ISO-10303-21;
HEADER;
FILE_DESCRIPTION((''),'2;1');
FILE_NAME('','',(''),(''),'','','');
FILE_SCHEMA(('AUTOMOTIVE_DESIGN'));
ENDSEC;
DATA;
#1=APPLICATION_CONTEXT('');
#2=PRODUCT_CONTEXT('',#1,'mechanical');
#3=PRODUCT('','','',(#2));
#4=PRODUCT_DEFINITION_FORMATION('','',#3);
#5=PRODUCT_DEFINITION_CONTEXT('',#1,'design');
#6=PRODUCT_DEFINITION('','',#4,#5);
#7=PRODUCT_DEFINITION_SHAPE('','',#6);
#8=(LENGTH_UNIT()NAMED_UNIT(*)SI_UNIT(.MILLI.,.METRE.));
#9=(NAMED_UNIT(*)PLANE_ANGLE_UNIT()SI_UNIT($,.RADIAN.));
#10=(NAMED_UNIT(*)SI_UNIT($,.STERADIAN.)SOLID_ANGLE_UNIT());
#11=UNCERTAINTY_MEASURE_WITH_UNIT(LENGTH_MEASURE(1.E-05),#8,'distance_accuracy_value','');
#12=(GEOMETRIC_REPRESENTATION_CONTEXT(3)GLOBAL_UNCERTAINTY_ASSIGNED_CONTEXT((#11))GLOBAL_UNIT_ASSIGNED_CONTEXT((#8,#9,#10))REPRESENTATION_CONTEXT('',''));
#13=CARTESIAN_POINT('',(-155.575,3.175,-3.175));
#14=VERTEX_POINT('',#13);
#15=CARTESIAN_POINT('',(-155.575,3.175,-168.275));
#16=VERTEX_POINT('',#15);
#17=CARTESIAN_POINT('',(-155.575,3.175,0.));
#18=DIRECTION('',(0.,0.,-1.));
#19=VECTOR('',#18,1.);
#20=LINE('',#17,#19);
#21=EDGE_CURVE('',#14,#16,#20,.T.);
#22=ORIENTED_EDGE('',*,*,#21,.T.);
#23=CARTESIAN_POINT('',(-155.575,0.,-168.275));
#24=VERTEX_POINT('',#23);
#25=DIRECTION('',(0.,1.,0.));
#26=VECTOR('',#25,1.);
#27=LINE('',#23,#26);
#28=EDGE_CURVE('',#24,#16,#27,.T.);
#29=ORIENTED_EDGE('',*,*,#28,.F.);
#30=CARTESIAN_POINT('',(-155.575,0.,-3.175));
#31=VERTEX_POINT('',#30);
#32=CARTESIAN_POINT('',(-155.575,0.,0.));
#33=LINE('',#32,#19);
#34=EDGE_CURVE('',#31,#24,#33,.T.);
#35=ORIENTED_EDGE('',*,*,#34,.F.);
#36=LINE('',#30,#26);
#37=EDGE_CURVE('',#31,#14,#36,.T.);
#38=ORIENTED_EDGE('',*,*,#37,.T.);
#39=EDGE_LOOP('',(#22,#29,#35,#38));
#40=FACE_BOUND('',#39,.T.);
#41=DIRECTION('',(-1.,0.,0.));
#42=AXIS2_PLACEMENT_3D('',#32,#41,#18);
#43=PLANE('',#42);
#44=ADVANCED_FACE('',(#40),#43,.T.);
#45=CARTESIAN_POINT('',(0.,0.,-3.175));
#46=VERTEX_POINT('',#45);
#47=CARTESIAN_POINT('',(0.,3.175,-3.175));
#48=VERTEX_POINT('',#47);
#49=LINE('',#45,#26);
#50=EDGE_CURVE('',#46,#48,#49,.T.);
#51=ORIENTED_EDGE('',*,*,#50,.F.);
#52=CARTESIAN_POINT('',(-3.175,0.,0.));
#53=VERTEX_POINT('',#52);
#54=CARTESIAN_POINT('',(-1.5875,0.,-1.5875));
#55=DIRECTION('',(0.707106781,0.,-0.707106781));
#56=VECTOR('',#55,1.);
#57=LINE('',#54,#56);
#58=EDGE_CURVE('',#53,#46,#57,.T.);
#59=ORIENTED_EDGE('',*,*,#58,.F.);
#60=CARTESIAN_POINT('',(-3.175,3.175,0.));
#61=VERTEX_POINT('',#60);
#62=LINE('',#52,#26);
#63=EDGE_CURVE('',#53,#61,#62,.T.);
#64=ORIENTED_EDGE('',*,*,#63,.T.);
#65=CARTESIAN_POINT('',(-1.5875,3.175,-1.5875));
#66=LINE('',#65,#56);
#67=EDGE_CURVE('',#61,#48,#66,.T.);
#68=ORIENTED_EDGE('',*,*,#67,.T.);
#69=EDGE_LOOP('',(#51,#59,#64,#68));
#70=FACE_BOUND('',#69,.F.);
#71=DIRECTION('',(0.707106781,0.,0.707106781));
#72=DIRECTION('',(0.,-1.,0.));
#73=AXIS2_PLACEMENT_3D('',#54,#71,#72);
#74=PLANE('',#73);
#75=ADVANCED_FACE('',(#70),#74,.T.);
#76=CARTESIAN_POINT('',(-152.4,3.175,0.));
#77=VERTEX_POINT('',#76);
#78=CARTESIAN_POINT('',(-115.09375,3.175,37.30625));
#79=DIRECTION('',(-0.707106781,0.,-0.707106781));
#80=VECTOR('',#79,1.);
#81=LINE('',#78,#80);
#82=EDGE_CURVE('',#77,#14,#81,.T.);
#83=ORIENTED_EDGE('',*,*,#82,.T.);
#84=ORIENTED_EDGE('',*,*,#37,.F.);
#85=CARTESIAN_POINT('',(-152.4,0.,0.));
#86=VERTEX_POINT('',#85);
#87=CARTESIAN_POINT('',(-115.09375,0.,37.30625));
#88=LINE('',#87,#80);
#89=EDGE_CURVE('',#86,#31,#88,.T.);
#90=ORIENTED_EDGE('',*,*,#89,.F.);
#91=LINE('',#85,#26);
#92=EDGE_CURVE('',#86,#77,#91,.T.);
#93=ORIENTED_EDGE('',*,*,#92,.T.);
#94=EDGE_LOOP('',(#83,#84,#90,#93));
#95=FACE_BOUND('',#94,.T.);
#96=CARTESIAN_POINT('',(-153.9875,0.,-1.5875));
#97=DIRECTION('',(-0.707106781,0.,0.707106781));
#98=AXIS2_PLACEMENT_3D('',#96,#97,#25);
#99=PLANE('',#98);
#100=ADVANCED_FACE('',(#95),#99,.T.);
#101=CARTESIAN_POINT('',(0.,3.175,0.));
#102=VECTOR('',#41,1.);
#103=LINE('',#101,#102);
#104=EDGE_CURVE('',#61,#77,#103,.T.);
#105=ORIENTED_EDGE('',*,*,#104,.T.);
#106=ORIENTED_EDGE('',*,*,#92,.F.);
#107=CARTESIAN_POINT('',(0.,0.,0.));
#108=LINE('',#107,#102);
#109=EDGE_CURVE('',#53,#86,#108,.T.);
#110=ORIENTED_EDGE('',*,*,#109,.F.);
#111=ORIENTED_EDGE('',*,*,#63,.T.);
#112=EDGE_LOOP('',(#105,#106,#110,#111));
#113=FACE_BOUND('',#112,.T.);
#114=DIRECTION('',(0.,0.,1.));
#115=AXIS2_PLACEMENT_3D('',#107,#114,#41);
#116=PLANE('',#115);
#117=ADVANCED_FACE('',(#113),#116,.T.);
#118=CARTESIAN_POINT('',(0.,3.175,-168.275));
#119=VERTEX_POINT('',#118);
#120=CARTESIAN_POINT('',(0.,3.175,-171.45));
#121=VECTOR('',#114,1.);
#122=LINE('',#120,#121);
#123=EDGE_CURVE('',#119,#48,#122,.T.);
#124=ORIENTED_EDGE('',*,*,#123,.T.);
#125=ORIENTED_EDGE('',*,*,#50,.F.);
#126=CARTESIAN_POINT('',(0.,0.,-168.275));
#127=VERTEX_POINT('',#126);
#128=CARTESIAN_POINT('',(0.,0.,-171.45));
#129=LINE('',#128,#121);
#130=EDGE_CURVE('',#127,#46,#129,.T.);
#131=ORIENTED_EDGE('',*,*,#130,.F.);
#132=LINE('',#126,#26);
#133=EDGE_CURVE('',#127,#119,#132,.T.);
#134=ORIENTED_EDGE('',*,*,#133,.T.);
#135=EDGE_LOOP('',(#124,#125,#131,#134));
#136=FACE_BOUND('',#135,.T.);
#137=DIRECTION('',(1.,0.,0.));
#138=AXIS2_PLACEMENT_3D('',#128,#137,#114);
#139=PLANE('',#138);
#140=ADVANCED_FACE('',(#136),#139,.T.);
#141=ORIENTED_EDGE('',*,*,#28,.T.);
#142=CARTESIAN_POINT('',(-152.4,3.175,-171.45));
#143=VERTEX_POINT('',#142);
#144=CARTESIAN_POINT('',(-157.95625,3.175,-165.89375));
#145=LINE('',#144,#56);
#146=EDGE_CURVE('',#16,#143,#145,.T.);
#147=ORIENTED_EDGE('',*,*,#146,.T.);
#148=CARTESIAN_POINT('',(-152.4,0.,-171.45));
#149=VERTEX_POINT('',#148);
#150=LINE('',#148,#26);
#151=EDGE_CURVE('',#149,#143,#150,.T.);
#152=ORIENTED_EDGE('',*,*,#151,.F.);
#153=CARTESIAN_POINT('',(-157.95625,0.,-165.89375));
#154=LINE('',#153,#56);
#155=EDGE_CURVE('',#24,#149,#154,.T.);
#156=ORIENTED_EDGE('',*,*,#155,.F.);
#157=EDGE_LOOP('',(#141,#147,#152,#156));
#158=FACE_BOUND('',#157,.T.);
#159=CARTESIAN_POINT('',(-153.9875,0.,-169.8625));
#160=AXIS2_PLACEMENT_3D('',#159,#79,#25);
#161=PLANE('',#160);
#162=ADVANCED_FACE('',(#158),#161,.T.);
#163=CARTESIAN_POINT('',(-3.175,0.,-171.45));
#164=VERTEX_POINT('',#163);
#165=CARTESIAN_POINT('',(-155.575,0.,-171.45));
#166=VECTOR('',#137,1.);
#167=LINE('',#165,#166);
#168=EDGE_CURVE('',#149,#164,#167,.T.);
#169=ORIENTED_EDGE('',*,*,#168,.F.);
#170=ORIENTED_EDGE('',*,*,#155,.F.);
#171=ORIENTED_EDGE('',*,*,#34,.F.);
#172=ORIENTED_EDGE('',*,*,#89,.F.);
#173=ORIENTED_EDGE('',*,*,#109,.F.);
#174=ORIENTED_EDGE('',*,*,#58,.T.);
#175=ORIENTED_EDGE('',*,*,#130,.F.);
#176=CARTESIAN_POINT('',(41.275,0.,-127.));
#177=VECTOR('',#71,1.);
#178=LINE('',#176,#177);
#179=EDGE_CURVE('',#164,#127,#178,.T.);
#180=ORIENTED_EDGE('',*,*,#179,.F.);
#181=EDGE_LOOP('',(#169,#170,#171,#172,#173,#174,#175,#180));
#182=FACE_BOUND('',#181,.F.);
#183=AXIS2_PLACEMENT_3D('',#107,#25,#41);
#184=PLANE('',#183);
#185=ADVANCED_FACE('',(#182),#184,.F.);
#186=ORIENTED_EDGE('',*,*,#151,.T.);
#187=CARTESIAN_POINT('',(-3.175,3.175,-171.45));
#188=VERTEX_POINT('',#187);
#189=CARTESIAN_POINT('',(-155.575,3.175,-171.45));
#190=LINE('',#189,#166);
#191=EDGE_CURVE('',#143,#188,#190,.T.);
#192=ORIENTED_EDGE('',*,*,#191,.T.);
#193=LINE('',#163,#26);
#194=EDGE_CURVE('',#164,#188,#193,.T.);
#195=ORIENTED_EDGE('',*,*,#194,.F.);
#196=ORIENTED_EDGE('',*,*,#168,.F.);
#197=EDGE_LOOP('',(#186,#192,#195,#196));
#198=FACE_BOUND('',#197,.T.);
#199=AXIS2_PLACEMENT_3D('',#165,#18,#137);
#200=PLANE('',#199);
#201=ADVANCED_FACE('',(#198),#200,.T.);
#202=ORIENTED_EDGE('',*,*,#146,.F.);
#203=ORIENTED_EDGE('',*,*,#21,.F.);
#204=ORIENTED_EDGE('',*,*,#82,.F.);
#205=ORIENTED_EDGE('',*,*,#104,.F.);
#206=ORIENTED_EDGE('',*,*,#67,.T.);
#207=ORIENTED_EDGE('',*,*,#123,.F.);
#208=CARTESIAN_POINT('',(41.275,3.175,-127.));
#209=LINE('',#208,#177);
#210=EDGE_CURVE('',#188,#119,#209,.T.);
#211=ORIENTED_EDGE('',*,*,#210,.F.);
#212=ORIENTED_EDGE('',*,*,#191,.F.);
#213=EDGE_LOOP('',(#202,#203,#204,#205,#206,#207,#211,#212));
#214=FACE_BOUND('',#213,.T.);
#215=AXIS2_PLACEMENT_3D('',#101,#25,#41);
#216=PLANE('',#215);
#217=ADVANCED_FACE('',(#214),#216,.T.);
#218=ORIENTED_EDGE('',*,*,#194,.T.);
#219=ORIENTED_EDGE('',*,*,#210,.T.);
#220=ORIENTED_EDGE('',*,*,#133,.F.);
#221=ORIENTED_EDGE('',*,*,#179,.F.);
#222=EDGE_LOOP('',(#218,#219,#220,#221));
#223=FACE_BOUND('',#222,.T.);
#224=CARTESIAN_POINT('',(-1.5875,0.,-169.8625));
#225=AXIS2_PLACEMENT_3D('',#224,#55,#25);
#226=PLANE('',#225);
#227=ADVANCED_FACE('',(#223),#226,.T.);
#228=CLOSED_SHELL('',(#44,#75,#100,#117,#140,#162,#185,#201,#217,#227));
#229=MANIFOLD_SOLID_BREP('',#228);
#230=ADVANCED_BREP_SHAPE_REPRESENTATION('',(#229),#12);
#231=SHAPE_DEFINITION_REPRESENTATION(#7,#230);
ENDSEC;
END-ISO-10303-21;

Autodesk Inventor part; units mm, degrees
ref_plane "YZ Plane" through (0, 0, 0) normal (1, 0, 0) x (0, 1, 0)
ref_plane "XZ Plane" through (0, 0, 0) normal (0, 1, 0) x (-1, 0, 0)
ref_plane "XY Plane" through (0, 0, 0) normal (0, 0, 1) x (1, 0, 0)
sketch "Sketch1" plane through (0, 0, 0) normal (0, 1, 0) x (-1, 0, 0)
  line L0 (0, 0) -> (155.575, 0)
  line L1 (155.575, 0) -> (155.575, -171.45)
  line L2 (155.575, -171.45) -> (0, -171.45)
  line L3 (0, -171.45) -> (0, 0)
  dimension "d0" = 155.575
  dimension "d1" = 171.45
extrude "Extrusion1" add sketch "Sketch1" along normal blind 3.175
chamfer "Chamfer1" distance 3.175 angle 45 4 edges at (0, 1.5875, 0) (-155.575, 1.5875, 0) (-155.575, 1.5875, -171.45) (0, 1.5875, -171.45)
ref_plane "Work Plane1" through (-77.7875, 0, -3.175) normal (1, 0, 0) x (0, 0, -1)
ref_plane "Work Plane2" through (-152.4, 0, -85.725) normal (0, 0, 1) x (1, 0, 0)
properties part number "Battery Base Plate"
